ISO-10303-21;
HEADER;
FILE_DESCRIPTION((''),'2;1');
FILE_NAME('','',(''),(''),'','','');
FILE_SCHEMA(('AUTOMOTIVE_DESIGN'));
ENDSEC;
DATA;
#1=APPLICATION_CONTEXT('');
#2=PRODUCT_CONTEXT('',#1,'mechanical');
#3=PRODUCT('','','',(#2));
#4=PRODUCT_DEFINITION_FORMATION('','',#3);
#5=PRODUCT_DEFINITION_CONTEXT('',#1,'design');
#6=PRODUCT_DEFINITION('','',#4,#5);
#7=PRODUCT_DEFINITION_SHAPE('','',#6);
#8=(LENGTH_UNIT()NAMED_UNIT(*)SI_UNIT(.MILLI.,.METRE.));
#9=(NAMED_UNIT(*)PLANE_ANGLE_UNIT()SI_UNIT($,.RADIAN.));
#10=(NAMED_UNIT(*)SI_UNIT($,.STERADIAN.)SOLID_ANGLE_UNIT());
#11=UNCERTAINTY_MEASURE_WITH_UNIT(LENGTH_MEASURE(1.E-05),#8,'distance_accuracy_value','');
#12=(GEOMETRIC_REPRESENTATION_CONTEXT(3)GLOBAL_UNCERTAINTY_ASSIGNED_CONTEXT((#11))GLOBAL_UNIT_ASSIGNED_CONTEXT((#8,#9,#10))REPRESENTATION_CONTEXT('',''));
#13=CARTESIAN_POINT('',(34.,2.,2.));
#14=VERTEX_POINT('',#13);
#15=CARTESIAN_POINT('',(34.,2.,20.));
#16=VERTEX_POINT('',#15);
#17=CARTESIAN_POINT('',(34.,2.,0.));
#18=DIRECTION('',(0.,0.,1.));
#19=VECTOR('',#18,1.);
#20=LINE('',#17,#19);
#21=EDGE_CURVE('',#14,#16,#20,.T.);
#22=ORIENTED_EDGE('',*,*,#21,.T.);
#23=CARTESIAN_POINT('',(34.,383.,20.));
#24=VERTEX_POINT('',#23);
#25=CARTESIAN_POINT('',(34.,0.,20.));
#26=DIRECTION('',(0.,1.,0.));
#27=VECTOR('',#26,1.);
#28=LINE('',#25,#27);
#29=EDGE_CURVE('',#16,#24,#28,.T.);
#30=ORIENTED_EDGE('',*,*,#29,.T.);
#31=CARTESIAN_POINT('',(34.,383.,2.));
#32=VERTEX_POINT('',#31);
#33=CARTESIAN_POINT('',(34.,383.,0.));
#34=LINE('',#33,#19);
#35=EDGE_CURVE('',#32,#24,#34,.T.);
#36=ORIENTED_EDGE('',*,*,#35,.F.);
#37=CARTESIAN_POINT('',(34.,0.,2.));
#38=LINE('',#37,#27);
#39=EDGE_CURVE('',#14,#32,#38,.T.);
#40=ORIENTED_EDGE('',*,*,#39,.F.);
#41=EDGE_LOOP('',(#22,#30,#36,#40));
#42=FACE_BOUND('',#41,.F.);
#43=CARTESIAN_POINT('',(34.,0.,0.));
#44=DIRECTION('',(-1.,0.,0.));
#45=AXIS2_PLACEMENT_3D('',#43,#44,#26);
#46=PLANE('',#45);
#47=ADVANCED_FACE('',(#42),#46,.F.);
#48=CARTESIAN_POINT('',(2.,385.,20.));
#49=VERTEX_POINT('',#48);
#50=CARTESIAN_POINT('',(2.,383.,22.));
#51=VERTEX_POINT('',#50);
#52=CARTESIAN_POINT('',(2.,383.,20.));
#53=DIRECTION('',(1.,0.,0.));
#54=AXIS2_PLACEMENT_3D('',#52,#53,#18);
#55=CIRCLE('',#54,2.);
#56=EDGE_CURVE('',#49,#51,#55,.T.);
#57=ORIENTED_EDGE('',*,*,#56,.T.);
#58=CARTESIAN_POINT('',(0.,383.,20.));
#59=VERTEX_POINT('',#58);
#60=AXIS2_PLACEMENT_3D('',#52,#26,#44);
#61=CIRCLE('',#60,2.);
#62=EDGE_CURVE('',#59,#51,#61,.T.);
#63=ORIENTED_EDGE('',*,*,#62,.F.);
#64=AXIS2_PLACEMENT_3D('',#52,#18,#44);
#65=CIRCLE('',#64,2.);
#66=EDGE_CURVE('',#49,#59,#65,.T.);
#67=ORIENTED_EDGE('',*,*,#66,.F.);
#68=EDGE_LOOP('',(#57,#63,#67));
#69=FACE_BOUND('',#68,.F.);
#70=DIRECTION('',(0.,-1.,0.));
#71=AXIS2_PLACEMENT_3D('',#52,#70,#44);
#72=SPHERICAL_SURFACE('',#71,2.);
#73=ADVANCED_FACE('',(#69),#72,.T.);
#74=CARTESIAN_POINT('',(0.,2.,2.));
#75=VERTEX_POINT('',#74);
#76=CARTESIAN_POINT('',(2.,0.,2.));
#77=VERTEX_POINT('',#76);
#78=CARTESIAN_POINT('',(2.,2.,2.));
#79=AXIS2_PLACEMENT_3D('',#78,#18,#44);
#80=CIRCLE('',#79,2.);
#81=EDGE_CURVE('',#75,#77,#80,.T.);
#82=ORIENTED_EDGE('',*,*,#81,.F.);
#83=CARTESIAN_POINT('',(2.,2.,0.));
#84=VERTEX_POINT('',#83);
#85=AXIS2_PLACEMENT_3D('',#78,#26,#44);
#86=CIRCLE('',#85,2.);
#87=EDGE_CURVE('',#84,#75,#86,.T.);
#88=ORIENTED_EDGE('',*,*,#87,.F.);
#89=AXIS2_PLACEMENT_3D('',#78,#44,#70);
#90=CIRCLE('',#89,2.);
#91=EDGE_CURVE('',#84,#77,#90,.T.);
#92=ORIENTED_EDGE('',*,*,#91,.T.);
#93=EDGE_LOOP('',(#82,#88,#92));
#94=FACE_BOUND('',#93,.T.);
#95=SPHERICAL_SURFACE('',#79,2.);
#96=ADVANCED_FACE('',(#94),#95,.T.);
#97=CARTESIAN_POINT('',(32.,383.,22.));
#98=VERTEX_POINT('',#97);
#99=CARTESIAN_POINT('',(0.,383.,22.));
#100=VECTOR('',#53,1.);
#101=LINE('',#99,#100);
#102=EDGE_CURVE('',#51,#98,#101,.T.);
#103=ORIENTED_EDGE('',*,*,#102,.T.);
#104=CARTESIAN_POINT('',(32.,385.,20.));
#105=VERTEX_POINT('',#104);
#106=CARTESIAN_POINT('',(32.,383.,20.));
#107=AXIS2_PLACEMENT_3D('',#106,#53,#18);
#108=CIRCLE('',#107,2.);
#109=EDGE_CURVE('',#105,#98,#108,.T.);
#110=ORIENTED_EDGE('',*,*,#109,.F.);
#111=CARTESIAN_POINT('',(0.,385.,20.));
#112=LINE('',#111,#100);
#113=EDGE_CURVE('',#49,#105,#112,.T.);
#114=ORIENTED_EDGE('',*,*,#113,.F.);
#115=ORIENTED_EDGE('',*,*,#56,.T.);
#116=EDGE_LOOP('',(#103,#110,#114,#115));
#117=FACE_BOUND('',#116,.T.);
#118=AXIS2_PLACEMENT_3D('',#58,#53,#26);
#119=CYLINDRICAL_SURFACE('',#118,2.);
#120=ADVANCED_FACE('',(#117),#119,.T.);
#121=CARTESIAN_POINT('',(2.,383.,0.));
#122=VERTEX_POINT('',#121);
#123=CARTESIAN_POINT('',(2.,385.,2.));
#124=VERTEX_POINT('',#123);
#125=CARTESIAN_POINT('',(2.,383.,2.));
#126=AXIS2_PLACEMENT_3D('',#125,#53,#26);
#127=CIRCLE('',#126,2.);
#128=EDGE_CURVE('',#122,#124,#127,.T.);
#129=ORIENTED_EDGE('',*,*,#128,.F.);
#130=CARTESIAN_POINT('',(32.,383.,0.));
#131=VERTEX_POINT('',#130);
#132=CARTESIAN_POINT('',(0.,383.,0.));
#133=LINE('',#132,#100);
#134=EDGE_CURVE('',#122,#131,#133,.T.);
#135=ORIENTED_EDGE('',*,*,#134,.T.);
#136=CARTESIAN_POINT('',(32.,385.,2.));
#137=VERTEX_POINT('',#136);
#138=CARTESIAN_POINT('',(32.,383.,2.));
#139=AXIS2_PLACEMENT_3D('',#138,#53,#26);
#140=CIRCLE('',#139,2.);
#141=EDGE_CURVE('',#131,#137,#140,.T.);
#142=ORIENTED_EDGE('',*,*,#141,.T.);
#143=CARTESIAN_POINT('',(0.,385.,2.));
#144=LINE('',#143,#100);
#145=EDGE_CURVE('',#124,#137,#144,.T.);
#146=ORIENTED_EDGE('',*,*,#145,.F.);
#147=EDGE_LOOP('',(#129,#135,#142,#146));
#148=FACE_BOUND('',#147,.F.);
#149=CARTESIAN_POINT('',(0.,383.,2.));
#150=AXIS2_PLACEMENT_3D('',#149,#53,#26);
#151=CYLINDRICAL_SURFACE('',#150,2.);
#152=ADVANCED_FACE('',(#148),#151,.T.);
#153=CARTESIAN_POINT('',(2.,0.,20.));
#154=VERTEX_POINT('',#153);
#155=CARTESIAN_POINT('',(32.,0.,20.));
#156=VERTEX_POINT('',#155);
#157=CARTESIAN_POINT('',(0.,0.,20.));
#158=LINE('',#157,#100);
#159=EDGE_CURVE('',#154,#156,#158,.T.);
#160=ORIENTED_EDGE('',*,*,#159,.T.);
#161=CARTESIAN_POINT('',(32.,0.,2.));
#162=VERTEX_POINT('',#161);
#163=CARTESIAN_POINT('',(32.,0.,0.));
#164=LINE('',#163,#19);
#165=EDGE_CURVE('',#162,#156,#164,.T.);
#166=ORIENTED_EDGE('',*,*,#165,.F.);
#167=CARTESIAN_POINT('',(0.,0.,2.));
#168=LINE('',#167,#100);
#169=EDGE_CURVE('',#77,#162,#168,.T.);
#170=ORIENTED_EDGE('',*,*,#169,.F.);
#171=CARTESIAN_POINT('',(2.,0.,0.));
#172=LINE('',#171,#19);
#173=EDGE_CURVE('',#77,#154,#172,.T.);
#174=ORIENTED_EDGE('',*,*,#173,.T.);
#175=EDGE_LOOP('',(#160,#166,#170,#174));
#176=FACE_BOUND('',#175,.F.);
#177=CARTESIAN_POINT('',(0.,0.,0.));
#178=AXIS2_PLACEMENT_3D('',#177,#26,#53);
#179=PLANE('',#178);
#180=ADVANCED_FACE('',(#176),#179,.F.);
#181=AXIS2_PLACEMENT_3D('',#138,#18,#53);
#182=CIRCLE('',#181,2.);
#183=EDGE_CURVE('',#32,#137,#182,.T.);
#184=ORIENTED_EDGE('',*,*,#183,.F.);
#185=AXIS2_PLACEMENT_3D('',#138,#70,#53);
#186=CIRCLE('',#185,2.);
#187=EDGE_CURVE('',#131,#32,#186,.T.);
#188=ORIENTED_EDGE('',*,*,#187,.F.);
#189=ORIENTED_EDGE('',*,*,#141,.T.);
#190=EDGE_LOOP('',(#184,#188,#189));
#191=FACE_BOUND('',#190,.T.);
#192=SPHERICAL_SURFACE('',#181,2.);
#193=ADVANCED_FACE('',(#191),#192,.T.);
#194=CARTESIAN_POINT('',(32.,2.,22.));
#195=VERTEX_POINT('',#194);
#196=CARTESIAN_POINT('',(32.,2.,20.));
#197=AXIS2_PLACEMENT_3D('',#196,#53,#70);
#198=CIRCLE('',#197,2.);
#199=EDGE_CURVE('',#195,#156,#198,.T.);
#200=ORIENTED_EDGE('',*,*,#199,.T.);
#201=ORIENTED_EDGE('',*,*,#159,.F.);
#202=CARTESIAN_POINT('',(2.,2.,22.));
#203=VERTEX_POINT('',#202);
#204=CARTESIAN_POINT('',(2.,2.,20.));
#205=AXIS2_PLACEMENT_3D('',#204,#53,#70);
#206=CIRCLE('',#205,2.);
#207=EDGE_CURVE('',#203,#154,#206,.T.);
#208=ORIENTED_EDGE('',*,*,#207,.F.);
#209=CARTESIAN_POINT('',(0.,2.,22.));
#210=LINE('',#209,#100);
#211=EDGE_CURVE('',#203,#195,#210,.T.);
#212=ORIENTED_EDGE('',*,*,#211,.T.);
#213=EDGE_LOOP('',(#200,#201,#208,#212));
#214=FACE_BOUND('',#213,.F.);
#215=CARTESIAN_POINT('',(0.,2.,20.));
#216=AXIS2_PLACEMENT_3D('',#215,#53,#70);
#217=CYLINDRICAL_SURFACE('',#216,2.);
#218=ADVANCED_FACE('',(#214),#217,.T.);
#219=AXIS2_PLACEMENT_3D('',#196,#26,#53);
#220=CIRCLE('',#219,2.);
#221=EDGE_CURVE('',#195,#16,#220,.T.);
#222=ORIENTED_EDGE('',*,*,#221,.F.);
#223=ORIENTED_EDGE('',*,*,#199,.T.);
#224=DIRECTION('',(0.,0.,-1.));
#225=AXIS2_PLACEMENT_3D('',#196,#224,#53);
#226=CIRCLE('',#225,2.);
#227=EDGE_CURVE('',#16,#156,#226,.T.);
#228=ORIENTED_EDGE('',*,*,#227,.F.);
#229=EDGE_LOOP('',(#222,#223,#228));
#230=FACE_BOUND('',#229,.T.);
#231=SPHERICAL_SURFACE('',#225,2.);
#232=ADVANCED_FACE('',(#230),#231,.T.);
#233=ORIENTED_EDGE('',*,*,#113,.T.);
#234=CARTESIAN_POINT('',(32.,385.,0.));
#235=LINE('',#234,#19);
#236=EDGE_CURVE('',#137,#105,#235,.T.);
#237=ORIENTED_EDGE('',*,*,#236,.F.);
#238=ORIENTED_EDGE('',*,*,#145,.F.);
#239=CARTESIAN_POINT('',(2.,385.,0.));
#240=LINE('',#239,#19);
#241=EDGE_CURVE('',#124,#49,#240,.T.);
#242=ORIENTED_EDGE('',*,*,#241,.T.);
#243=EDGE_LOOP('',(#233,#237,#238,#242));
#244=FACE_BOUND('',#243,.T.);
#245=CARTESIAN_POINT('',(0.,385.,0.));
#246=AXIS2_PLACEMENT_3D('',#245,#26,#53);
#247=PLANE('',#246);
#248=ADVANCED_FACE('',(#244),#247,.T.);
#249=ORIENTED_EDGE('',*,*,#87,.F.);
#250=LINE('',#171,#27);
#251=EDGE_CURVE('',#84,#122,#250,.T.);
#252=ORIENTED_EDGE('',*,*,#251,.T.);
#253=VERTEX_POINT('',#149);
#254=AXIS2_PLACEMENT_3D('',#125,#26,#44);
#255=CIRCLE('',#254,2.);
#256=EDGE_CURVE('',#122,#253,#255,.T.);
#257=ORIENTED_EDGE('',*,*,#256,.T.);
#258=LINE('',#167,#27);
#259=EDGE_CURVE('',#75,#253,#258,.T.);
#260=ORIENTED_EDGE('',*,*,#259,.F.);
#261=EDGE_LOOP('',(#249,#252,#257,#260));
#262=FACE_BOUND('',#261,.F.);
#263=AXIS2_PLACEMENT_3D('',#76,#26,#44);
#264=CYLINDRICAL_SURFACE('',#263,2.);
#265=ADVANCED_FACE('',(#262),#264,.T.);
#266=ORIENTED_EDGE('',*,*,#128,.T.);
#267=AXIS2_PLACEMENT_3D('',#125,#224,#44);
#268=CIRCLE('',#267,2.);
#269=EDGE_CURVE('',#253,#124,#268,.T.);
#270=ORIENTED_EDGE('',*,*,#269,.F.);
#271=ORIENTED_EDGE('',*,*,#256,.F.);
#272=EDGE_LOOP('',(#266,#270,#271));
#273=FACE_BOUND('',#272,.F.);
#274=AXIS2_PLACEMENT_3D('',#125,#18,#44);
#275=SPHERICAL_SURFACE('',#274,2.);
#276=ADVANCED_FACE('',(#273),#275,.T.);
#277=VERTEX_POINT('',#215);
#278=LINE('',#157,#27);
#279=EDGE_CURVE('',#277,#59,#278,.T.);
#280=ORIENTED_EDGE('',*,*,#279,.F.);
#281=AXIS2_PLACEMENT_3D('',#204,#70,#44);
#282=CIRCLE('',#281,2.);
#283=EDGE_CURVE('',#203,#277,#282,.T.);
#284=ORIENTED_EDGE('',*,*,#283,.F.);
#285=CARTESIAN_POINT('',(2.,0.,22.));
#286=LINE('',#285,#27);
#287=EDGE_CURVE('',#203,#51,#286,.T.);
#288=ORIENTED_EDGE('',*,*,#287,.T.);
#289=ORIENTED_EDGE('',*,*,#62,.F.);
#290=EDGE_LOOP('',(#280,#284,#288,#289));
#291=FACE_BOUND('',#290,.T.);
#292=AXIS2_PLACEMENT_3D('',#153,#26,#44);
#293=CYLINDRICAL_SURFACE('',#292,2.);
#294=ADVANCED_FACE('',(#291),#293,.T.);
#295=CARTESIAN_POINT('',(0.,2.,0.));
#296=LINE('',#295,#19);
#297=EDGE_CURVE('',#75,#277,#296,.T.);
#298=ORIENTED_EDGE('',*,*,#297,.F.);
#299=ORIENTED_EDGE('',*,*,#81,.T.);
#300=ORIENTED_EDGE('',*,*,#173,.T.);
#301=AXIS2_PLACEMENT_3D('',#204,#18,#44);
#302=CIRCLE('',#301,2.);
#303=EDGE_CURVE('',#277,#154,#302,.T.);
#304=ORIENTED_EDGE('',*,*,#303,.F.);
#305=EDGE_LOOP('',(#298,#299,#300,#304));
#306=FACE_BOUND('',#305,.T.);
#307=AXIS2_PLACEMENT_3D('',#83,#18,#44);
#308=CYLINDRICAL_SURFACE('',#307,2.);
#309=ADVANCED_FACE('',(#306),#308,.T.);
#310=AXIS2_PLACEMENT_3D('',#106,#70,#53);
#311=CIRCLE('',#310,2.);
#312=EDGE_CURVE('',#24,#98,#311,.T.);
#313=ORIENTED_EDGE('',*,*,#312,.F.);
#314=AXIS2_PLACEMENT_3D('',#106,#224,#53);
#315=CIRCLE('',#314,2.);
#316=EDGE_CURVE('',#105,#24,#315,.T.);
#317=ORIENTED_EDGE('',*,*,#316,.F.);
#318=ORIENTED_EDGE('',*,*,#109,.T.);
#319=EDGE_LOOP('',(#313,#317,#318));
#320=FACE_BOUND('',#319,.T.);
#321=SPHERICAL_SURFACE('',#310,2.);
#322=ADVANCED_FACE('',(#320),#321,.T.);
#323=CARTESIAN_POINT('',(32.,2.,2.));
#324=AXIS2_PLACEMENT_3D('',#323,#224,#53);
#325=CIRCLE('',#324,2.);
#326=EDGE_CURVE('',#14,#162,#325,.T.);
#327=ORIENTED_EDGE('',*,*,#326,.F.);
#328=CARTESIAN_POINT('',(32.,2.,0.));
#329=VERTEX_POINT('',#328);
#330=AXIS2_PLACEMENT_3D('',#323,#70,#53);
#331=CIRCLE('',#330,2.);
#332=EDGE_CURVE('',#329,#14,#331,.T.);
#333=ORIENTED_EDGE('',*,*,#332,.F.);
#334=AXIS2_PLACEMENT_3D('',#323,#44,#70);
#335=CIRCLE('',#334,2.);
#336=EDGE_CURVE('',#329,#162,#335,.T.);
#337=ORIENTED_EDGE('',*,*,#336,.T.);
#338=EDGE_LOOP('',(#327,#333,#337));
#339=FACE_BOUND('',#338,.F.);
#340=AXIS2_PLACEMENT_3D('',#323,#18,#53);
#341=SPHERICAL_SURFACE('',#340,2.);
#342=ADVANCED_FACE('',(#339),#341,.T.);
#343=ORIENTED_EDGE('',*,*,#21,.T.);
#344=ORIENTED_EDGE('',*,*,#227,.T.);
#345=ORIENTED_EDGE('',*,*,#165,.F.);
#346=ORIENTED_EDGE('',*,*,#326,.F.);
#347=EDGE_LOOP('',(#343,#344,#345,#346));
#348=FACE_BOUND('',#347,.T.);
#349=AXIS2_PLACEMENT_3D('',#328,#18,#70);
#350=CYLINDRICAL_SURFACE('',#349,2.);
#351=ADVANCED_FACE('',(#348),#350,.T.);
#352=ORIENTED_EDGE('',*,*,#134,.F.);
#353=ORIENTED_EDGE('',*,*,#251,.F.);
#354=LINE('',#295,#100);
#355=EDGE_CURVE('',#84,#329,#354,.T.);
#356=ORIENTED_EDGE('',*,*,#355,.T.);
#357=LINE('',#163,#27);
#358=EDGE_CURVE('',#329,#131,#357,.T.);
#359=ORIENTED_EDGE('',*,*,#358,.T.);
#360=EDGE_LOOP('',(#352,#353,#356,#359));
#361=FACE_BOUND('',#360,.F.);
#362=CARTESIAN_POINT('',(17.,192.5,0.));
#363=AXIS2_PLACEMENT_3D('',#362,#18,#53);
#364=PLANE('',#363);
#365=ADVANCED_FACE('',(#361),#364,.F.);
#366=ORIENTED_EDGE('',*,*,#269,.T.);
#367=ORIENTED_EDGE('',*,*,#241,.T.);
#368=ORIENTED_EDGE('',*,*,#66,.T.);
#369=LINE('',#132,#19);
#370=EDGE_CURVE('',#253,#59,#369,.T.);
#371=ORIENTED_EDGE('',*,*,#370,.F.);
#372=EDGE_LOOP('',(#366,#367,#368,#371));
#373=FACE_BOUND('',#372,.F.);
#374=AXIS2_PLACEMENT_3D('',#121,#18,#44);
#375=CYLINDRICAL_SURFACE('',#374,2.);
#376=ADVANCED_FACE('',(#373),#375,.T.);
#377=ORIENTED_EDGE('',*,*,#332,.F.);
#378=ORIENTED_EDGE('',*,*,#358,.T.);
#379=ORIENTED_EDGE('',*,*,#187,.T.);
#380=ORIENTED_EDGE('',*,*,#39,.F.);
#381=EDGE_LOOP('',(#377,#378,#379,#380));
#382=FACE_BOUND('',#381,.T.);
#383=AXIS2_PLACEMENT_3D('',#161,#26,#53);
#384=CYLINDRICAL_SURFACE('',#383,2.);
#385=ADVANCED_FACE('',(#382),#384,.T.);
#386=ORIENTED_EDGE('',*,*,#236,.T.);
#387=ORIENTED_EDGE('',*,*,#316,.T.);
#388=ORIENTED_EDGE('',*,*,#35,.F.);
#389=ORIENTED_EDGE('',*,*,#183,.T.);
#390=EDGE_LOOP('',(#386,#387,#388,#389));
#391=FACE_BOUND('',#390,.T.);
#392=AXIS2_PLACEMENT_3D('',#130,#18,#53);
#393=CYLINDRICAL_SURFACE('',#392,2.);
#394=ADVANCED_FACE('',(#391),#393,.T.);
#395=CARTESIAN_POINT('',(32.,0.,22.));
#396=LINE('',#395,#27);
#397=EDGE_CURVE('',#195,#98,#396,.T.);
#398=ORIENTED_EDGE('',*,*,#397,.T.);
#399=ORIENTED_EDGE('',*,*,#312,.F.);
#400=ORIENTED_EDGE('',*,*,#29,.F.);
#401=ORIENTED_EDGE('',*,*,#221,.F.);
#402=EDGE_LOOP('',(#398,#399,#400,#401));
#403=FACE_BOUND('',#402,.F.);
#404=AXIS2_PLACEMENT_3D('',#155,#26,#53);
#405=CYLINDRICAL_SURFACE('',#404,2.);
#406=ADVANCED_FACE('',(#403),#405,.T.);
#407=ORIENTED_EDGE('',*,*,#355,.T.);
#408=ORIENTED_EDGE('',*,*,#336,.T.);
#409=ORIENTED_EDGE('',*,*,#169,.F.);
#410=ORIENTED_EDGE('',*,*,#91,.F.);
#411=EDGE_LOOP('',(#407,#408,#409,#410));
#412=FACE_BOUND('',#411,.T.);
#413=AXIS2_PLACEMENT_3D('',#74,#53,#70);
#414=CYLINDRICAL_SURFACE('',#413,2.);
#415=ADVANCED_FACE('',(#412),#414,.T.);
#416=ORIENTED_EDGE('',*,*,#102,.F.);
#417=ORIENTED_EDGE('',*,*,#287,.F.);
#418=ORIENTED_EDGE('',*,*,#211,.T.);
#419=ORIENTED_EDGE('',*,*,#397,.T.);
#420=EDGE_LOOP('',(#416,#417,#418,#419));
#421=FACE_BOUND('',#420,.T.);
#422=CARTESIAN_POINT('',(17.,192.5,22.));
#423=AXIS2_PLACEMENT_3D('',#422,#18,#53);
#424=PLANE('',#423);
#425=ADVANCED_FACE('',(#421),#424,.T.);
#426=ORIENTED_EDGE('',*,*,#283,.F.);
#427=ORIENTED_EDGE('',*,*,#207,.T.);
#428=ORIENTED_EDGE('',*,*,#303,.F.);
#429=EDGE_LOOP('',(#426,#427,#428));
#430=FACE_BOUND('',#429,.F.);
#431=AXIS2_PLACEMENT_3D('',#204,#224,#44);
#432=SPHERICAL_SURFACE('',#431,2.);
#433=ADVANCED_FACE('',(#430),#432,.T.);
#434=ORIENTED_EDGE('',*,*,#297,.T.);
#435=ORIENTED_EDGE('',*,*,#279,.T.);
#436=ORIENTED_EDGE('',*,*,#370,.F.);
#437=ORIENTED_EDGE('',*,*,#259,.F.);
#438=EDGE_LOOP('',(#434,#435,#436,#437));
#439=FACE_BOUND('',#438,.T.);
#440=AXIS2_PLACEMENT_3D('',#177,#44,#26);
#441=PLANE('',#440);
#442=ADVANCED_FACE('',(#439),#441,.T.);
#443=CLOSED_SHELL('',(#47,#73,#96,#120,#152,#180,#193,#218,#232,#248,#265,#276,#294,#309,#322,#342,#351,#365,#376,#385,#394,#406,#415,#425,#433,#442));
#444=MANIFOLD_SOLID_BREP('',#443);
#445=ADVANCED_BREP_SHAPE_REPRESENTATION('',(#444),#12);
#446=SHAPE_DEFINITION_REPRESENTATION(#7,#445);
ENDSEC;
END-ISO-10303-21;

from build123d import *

# Parameters (mm, degrees)
BOX_W     = 34
BOX_H     = 385
BOX_DEPTH = 22
FILLET_R  = 2


with BuildPart() as part:
    # Box → Box (new body)
    with BuildSketch(Plane.XY):
        with Locations((17, 192.5)):
            Rectangle(BOX_W, BOX_H)
    extrude(amount=BOX_DEPTH)

    # Fillet
    fillet_edges = [part.edges().sort_by_distance(p)[0] for p in [
        (0, 0, 11),
        (0, 192.5, 22),
        (0, 385, 11),
        (0, 192.5, 0),
        (34, 0, 11),
        (34, 192.5, 22),
        (34, 385, 11),
        (34, 192.5, 0),
        (17, 0, 0),
        (17, 0, 22),
        (17, 385, 0),
        (17, 385, 22),
    ]]
    fillet(fillet_edges, radius=FILLET_R)


solid = part.part
